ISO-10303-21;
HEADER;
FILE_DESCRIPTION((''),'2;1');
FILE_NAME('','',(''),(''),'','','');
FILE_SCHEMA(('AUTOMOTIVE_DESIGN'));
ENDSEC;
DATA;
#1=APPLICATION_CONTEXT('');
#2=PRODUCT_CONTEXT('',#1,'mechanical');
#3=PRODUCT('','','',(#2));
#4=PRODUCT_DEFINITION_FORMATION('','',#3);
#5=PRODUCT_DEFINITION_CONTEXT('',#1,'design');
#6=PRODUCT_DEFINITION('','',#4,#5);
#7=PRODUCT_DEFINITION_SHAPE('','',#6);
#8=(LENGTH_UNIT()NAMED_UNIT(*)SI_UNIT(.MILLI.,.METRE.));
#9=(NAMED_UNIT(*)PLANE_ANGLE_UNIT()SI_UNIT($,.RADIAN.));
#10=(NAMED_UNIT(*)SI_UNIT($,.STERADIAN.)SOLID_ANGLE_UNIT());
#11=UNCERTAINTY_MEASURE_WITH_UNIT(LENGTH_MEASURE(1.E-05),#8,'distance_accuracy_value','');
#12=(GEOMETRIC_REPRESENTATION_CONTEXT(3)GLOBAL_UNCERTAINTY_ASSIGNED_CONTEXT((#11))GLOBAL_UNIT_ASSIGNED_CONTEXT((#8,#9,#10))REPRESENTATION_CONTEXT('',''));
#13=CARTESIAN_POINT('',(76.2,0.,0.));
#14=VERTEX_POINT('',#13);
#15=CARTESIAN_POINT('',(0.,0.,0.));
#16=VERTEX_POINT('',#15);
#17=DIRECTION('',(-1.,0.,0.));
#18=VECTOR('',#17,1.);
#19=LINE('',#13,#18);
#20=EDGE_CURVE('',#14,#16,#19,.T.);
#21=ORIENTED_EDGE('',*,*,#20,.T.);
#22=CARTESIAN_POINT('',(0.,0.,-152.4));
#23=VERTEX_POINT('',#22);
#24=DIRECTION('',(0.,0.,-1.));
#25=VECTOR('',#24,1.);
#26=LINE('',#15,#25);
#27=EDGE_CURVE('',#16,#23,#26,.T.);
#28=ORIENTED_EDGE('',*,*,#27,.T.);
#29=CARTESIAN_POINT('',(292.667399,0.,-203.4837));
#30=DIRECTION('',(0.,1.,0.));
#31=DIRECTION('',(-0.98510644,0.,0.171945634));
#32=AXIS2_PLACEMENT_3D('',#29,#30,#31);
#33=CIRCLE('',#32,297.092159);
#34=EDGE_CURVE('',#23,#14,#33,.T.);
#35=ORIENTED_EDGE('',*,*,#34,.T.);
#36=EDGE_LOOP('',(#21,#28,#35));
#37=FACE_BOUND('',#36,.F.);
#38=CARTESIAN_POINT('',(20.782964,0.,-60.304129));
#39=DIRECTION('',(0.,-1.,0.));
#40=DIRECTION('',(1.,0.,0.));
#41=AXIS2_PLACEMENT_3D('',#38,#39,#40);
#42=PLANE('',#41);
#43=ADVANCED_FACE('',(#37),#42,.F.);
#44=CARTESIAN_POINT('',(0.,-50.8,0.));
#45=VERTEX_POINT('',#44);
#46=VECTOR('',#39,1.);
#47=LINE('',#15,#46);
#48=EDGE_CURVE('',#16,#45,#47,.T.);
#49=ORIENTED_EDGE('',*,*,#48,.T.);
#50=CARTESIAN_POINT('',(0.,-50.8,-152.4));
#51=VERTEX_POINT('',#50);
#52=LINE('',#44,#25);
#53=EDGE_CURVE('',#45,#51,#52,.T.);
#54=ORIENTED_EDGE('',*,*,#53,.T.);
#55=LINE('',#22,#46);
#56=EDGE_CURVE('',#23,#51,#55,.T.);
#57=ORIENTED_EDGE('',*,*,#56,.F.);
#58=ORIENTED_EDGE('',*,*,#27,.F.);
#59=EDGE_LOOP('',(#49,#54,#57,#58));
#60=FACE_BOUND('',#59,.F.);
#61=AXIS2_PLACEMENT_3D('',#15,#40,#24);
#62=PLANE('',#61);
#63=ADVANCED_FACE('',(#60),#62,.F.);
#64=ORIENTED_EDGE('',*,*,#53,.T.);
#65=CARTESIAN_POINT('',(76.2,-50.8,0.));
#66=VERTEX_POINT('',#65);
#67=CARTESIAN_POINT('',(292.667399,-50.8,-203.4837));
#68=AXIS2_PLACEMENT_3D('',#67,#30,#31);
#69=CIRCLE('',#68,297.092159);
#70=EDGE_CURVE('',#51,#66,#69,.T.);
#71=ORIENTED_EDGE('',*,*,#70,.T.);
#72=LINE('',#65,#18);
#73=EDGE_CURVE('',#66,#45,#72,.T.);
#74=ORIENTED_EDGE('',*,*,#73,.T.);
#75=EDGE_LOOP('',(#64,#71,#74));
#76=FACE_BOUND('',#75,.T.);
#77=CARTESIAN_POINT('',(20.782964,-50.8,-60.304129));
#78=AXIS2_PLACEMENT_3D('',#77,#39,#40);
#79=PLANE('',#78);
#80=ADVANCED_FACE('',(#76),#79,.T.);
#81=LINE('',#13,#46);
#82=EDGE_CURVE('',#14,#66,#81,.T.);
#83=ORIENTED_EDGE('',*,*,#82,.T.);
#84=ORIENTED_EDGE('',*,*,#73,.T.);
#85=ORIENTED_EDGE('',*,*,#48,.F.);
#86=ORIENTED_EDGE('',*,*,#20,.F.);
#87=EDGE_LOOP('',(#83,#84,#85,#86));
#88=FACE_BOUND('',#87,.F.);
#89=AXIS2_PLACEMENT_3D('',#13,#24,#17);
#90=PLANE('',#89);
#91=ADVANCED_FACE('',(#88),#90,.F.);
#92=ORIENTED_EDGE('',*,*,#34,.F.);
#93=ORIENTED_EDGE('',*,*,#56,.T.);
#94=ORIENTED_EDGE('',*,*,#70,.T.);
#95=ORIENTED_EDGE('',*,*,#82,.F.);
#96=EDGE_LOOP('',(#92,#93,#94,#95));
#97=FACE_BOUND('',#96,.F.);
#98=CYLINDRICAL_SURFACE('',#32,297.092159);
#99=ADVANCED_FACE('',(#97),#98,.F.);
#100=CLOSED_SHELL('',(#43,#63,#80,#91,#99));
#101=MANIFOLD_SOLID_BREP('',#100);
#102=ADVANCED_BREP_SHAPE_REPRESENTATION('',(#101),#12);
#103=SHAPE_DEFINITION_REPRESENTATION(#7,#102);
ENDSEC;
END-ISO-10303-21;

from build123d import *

# Parameters (mm, degrees)
F1_DEPTH = 50.8


with BuildPart() as f1:
    # F0 (on Front) → F1 (new body)
    with BuildSketch(Plane.XZ):
        with BuildLine():
            Line((76.2, 0), (0, 0))
            Line((0, 0), (0, -152.4))
            ThreePointArc((0, -152.4), (26.940094, -70.620047), (76.2, 0))
        make_face()
    extrude(amount=F1_DEPTH)


solid = f1.part
